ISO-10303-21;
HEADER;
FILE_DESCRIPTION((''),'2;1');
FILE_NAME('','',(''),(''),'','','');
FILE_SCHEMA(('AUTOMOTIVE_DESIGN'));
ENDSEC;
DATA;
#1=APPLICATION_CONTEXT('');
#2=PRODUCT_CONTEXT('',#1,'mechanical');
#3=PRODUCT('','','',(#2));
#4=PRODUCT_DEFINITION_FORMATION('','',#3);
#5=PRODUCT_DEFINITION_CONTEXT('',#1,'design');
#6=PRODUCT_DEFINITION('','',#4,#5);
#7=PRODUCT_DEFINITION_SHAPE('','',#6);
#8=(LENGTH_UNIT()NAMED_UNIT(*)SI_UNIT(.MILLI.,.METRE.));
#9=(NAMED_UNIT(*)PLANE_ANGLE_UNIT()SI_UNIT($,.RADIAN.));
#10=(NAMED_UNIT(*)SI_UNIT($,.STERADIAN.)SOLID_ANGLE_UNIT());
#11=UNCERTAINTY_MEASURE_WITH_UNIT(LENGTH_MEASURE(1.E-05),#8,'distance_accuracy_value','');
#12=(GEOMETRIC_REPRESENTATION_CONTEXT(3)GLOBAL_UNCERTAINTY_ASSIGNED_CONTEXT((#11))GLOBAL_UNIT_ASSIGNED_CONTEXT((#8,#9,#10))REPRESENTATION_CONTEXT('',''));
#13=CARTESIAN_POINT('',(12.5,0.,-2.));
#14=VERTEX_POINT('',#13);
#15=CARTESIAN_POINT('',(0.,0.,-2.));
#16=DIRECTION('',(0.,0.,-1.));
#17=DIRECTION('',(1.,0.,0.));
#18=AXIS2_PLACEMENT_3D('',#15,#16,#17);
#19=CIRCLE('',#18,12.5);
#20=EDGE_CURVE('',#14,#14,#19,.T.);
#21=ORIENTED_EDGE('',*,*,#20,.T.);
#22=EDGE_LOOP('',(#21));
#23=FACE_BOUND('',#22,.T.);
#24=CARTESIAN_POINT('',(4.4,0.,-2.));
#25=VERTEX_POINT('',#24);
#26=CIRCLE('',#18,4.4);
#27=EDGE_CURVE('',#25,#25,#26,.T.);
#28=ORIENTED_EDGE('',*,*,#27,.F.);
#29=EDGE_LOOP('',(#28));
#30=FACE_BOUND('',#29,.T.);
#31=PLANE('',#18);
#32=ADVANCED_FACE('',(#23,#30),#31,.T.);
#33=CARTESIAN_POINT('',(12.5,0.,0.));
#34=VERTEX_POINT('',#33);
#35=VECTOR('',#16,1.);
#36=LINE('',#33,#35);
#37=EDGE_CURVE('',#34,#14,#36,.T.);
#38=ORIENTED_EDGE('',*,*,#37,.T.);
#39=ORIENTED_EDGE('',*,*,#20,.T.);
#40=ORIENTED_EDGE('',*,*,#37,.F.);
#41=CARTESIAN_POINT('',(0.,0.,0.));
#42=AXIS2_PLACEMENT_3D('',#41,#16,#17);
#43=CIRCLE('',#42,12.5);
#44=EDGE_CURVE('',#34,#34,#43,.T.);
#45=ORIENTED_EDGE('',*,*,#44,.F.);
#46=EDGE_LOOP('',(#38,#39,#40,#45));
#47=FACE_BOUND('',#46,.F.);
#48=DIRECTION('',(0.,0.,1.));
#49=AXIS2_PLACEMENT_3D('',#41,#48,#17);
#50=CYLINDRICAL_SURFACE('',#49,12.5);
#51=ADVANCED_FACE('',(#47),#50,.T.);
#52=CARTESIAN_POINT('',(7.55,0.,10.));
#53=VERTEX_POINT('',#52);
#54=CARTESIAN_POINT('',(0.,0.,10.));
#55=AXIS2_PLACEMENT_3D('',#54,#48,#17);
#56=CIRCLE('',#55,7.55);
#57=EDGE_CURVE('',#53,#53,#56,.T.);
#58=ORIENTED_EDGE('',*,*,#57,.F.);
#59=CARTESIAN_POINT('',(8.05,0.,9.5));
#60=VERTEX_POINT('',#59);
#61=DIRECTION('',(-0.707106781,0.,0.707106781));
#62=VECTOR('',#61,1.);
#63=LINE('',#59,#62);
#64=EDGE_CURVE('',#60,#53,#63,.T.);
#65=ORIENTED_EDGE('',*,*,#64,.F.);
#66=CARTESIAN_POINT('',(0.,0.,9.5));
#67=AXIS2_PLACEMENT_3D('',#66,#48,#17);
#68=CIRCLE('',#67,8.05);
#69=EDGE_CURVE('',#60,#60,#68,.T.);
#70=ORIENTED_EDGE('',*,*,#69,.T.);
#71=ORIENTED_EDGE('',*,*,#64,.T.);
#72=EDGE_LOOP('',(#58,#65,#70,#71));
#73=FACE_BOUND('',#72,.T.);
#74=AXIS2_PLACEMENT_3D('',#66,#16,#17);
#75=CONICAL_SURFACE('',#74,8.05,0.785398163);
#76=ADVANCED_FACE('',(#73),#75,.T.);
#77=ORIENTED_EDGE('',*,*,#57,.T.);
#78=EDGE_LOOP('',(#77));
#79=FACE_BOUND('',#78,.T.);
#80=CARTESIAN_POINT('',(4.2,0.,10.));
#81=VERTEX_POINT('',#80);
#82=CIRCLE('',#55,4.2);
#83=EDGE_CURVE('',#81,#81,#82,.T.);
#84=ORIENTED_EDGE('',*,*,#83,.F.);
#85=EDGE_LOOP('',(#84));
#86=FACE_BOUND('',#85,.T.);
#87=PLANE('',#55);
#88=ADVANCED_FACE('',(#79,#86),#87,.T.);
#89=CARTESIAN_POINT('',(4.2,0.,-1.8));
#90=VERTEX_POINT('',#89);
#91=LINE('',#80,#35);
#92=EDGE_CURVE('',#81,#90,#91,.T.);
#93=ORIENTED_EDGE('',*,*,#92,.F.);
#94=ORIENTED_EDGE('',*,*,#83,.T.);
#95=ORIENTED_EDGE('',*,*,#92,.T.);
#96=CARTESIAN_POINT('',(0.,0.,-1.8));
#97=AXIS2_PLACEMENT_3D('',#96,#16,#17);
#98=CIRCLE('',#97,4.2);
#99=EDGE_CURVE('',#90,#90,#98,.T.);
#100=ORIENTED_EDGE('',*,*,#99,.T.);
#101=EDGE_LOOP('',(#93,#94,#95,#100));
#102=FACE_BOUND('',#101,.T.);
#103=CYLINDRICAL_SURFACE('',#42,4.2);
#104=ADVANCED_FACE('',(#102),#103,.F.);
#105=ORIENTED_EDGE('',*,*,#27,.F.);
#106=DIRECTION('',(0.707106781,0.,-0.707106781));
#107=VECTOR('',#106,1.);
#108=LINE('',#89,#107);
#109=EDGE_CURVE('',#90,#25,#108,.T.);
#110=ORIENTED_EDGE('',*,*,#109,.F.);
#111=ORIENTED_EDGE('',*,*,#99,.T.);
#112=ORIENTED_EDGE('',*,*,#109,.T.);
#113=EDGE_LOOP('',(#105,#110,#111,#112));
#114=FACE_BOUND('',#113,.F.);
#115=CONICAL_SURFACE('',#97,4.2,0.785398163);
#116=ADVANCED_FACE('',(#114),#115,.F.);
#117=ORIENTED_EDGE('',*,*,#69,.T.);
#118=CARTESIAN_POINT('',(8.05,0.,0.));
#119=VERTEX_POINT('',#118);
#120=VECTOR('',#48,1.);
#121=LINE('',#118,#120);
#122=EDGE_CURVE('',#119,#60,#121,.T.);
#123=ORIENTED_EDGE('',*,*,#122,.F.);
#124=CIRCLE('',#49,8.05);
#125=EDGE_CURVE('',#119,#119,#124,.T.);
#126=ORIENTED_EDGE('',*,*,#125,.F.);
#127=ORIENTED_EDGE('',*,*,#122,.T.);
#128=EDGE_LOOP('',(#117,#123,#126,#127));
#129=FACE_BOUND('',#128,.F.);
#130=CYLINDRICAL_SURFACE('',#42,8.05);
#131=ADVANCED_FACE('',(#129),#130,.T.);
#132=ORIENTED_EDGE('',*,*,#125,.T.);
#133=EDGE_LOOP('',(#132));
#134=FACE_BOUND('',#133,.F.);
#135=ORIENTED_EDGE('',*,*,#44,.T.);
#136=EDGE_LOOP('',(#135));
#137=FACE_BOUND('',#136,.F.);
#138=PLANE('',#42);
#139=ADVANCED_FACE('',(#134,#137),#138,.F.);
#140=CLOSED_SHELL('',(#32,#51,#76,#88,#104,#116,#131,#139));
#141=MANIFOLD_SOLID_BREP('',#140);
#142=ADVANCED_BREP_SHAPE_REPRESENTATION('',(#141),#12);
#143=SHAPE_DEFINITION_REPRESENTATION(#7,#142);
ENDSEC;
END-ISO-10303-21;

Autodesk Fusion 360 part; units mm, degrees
sketch "Esquisse1" plane through (0, 0, 0) normal (0, 0, 1) x (1, 0, 0)
  circle A0 centre (0, 0) radius 8.05
  circle A1 centre (0, 0) radius 4.2
  dimension "d1" = 16.1
  dimension "d2" = 8.4
extrude "Extrusion1" add sketch "Esquisse1" along normal blind 10
sketch "Esquisse2" plane through (0, 0, 0) normal (0, 0, -1) x (1, 0, 0)
  circle A0 centre (0, 0) radius 4.2
  circle A1 centre (0, 0) radius 8.05
  circle A2 centre (0, 0) radius 12.5
  dimension "d5" = 25
extrude "Extrusion2" add sketch "Esquisse2" along normal blind 2 contours A1 | A2
chamfer "Chanfrein1" distance 0.5 angle 45 1 edges at (-7.5052, -2.911, 10)
chamfer "Chanfrein2" distance 0.2 angle 45 1 edges at (-3.9158, -1.5188, -2)
sketch "Esquisse3" plane through (0, 0, -2) normal (0, 0, -1) x (1, 0, 0)
  circle A0 centre (0, 0) radius 12.5
  circle A1 centre (0, 0) radius 4.4
